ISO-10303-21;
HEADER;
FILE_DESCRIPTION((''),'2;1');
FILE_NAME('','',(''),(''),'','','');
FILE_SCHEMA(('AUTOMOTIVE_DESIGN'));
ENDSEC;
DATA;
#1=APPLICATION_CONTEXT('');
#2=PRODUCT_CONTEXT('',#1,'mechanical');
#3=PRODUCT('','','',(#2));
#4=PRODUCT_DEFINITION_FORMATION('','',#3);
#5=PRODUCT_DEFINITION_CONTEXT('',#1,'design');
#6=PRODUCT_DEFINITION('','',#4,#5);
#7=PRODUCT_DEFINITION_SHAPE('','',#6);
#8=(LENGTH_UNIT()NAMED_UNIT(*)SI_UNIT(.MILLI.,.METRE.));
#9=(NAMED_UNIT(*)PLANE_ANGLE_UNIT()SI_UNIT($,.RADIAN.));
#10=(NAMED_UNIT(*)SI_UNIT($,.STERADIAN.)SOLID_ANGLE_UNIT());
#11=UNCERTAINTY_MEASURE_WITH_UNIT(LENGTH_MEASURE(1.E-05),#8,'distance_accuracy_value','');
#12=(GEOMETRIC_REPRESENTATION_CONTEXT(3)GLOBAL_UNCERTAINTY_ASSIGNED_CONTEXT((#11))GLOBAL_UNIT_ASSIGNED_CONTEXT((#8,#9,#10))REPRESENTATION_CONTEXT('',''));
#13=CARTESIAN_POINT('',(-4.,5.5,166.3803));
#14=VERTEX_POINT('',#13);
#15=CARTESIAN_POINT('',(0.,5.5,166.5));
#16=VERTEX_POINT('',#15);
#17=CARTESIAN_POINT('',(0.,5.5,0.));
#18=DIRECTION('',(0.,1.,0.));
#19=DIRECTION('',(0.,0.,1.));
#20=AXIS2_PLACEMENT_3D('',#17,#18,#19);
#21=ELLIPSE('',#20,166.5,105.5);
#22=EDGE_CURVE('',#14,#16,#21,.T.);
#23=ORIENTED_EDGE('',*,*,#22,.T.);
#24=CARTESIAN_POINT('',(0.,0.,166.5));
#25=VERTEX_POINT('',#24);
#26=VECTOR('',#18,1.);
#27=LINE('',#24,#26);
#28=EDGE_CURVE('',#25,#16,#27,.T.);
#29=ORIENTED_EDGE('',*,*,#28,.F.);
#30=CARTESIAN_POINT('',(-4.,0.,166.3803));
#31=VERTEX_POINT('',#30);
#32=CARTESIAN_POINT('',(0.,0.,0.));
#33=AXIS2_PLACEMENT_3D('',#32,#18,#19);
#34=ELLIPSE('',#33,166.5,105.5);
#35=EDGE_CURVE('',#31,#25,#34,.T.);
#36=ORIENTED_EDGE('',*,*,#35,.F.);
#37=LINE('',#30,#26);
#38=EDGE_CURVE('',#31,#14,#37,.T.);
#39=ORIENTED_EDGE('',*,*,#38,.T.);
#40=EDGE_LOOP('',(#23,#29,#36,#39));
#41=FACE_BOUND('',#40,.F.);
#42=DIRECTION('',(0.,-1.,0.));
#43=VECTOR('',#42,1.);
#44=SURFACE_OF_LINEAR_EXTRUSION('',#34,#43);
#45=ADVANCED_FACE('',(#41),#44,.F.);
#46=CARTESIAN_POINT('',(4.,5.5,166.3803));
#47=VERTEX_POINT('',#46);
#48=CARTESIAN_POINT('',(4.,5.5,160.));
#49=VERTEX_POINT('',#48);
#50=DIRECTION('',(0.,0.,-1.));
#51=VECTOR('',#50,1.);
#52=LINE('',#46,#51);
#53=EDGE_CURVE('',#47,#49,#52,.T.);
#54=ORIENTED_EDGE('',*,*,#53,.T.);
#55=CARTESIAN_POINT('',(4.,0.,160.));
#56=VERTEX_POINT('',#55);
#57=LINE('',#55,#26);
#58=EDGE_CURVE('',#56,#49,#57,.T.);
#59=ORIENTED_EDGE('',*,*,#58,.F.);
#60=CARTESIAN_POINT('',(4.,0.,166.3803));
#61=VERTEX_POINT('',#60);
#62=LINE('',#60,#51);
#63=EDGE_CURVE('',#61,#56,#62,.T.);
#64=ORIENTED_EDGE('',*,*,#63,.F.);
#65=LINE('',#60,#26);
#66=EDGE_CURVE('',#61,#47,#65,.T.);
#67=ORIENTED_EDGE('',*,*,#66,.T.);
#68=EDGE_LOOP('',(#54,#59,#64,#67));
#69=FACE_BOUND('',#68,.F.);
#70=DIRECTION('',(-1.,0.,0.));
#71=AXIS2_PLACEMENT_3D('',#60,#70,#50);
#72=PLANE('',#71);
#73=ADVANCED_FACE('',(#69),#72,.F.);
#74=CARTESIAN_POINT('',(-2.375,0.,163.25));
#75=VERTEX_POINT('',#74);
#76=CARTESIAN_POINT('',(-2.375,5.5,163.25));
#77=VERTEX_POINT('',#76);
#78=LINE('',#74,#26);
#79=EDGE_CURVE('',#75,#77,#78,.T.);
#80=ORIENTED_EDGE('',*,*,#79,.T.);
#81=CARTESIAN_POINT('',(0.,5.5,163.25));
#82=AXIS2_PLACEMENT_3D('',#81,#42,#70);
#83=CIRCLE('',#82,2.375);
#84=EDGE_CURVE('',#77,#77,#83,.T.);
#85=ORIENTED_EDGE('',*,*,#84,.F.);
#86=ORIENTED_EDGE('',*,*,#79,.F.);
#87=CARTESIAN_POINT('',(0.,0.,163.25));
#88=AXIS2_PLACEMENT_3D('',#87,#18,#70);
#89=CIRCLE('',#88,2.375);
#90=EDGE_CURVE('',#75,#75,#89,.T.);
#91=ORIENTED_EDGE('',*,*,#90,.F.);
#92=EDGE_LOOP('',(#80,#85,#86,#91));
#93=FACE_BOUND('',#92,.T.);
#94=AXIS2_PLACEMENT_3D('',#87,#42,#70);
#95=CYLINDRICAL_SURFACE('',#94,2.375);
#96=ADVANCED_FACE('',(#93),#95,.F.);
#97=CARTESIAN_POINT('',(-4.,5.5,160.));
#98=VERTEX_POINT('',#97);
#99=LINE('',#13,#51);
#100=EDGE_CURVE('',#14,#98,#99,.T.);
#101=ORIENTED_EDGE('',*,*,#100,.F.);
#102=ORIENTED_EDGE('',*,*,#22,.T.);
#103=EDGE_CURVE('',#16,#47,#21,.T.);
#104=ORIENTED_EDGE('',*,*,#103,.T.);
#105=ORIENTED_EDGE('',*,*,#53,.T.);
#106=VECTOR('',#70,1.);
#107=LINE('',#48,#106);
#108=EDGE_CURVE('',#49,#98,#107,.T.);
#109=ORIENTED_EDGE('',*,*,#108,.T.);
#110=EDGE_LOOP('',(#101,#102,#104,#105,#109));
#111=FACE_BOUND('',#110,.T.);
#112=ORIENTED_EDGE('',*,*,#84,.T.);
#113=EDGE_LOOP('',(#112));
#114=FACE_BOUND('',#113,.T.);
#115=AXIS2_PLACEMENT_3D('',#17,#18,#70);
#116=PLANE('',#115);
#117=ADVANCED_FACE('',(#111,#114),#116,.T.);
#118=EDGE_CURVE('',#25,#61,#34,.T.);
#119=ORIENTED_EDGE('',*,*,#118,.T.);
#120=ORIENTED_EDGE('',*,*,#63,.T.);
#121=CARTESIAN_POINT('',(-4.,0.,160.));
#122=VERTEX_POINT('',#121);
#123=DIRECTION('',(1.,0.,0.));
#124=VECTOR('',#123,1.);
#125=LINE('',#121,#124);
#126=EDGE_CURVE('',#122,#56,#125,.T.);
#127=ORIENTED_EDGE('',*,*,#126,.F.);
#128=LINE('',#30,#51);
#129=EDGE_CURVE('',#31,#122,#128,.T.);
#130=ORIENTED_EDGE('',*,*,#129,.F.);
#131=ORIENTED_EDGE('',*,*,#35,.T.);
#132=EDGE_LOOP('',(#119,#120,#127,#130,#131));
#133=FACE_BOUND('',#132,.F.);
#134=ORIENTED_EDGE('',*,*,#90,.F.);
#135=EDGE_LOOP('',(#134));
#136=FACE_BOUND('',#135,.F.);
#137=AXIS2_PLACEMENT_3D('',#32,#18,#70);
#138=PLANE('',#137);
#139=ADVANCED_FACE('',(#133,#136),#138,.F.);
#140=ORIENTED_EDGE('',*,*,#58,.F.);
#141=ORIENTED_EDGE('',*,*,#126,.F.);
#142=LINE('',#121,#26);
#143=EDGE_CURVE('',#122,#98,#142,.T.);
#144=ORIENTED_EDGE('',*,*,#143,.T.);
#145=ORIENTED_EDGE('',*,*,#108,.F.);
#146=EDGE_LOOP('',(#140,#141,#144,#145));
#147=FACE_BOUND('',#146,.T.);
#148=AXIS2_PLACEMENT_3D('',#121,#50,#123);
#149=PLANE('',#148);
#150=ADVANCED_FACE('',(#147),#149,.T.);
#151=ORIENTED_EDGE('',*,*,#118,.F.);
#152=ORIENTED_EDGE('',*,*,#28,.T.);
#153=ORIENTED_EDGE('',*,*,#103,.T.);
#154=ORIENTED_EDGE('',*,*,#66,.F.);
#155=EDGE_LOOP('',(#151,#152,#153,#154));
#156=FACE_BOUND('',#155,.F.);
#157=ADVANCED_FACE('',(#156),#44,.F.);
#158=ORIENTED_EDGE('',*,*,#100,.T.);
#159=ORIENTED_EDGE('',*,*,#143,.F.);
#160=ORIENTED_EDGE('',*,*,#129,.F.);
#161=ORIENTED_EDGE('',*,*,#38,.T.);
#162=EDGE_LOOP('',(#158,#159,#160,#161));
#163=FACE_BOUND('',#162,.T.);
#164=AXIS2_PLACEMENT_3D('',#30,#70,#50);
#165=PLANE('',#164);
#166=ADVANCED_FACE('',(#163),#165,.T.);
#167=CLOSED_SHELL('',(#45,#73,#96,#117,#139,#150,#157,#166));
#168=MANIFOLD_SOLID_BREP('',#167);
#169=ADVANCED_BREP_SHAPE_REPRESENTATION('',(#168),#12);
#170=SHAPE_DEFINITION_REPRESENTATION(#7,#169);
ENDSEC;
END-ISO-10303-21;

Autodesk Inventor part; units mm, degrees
ref_plane "YZ Plane" through (0, 0, 0) normal (1, 0, 0) x (0, 1, 0)
ref_plane "XZ Plane" through (0, 0, 0) normal (0, 1, 0) x (-1, 0, 0)
ref_plane "XY Plane" through (0, 0, 0) normal (0, 0, 1) x (1, 0, 0)
sketch "Sketch1" plane through (0, 0, 0) normal (0, 1, 0) x (-1, 0, 0)
  ellipse E0 centre (0, 0) end of major axis (0, -170) minor radius 109
  ellipse E1 centre (0, 0) end of major axis (105.5, 0) minor radius 166.5
  line L0 (29.1902, 160) -> (-29.1902, 160)
  circle A0 centre (0, 163.25) radius 2.375
  line L1 (4, 166.3803) -> (4, 160)
  line L2 (-4, 166.3803) -> (-4, 160)
  line L3 (0, 170) -> (0, 0)
  point P0 (-4, 163.1901)
  dimension "d0" = 170
  dimension "d1" = 109
  dimension "d2" = 105.5
  dimension "d3" = 166.5
  dimension "d4" = 160
  dimension "d5" = 4.75
  dimension "d6" = 3.25
  dimension "d7" = 4
  dimension "d8" = 4
  dimension "d9" = 163.25
extrude "Extrusion1" add sketch "Sketch1" along normal blind 5.5 contours E1 L1 L0 L3 A0 | L3 A0 L0 L2 E1
properties part number "170x109MagnetHolder_3DPrint"
